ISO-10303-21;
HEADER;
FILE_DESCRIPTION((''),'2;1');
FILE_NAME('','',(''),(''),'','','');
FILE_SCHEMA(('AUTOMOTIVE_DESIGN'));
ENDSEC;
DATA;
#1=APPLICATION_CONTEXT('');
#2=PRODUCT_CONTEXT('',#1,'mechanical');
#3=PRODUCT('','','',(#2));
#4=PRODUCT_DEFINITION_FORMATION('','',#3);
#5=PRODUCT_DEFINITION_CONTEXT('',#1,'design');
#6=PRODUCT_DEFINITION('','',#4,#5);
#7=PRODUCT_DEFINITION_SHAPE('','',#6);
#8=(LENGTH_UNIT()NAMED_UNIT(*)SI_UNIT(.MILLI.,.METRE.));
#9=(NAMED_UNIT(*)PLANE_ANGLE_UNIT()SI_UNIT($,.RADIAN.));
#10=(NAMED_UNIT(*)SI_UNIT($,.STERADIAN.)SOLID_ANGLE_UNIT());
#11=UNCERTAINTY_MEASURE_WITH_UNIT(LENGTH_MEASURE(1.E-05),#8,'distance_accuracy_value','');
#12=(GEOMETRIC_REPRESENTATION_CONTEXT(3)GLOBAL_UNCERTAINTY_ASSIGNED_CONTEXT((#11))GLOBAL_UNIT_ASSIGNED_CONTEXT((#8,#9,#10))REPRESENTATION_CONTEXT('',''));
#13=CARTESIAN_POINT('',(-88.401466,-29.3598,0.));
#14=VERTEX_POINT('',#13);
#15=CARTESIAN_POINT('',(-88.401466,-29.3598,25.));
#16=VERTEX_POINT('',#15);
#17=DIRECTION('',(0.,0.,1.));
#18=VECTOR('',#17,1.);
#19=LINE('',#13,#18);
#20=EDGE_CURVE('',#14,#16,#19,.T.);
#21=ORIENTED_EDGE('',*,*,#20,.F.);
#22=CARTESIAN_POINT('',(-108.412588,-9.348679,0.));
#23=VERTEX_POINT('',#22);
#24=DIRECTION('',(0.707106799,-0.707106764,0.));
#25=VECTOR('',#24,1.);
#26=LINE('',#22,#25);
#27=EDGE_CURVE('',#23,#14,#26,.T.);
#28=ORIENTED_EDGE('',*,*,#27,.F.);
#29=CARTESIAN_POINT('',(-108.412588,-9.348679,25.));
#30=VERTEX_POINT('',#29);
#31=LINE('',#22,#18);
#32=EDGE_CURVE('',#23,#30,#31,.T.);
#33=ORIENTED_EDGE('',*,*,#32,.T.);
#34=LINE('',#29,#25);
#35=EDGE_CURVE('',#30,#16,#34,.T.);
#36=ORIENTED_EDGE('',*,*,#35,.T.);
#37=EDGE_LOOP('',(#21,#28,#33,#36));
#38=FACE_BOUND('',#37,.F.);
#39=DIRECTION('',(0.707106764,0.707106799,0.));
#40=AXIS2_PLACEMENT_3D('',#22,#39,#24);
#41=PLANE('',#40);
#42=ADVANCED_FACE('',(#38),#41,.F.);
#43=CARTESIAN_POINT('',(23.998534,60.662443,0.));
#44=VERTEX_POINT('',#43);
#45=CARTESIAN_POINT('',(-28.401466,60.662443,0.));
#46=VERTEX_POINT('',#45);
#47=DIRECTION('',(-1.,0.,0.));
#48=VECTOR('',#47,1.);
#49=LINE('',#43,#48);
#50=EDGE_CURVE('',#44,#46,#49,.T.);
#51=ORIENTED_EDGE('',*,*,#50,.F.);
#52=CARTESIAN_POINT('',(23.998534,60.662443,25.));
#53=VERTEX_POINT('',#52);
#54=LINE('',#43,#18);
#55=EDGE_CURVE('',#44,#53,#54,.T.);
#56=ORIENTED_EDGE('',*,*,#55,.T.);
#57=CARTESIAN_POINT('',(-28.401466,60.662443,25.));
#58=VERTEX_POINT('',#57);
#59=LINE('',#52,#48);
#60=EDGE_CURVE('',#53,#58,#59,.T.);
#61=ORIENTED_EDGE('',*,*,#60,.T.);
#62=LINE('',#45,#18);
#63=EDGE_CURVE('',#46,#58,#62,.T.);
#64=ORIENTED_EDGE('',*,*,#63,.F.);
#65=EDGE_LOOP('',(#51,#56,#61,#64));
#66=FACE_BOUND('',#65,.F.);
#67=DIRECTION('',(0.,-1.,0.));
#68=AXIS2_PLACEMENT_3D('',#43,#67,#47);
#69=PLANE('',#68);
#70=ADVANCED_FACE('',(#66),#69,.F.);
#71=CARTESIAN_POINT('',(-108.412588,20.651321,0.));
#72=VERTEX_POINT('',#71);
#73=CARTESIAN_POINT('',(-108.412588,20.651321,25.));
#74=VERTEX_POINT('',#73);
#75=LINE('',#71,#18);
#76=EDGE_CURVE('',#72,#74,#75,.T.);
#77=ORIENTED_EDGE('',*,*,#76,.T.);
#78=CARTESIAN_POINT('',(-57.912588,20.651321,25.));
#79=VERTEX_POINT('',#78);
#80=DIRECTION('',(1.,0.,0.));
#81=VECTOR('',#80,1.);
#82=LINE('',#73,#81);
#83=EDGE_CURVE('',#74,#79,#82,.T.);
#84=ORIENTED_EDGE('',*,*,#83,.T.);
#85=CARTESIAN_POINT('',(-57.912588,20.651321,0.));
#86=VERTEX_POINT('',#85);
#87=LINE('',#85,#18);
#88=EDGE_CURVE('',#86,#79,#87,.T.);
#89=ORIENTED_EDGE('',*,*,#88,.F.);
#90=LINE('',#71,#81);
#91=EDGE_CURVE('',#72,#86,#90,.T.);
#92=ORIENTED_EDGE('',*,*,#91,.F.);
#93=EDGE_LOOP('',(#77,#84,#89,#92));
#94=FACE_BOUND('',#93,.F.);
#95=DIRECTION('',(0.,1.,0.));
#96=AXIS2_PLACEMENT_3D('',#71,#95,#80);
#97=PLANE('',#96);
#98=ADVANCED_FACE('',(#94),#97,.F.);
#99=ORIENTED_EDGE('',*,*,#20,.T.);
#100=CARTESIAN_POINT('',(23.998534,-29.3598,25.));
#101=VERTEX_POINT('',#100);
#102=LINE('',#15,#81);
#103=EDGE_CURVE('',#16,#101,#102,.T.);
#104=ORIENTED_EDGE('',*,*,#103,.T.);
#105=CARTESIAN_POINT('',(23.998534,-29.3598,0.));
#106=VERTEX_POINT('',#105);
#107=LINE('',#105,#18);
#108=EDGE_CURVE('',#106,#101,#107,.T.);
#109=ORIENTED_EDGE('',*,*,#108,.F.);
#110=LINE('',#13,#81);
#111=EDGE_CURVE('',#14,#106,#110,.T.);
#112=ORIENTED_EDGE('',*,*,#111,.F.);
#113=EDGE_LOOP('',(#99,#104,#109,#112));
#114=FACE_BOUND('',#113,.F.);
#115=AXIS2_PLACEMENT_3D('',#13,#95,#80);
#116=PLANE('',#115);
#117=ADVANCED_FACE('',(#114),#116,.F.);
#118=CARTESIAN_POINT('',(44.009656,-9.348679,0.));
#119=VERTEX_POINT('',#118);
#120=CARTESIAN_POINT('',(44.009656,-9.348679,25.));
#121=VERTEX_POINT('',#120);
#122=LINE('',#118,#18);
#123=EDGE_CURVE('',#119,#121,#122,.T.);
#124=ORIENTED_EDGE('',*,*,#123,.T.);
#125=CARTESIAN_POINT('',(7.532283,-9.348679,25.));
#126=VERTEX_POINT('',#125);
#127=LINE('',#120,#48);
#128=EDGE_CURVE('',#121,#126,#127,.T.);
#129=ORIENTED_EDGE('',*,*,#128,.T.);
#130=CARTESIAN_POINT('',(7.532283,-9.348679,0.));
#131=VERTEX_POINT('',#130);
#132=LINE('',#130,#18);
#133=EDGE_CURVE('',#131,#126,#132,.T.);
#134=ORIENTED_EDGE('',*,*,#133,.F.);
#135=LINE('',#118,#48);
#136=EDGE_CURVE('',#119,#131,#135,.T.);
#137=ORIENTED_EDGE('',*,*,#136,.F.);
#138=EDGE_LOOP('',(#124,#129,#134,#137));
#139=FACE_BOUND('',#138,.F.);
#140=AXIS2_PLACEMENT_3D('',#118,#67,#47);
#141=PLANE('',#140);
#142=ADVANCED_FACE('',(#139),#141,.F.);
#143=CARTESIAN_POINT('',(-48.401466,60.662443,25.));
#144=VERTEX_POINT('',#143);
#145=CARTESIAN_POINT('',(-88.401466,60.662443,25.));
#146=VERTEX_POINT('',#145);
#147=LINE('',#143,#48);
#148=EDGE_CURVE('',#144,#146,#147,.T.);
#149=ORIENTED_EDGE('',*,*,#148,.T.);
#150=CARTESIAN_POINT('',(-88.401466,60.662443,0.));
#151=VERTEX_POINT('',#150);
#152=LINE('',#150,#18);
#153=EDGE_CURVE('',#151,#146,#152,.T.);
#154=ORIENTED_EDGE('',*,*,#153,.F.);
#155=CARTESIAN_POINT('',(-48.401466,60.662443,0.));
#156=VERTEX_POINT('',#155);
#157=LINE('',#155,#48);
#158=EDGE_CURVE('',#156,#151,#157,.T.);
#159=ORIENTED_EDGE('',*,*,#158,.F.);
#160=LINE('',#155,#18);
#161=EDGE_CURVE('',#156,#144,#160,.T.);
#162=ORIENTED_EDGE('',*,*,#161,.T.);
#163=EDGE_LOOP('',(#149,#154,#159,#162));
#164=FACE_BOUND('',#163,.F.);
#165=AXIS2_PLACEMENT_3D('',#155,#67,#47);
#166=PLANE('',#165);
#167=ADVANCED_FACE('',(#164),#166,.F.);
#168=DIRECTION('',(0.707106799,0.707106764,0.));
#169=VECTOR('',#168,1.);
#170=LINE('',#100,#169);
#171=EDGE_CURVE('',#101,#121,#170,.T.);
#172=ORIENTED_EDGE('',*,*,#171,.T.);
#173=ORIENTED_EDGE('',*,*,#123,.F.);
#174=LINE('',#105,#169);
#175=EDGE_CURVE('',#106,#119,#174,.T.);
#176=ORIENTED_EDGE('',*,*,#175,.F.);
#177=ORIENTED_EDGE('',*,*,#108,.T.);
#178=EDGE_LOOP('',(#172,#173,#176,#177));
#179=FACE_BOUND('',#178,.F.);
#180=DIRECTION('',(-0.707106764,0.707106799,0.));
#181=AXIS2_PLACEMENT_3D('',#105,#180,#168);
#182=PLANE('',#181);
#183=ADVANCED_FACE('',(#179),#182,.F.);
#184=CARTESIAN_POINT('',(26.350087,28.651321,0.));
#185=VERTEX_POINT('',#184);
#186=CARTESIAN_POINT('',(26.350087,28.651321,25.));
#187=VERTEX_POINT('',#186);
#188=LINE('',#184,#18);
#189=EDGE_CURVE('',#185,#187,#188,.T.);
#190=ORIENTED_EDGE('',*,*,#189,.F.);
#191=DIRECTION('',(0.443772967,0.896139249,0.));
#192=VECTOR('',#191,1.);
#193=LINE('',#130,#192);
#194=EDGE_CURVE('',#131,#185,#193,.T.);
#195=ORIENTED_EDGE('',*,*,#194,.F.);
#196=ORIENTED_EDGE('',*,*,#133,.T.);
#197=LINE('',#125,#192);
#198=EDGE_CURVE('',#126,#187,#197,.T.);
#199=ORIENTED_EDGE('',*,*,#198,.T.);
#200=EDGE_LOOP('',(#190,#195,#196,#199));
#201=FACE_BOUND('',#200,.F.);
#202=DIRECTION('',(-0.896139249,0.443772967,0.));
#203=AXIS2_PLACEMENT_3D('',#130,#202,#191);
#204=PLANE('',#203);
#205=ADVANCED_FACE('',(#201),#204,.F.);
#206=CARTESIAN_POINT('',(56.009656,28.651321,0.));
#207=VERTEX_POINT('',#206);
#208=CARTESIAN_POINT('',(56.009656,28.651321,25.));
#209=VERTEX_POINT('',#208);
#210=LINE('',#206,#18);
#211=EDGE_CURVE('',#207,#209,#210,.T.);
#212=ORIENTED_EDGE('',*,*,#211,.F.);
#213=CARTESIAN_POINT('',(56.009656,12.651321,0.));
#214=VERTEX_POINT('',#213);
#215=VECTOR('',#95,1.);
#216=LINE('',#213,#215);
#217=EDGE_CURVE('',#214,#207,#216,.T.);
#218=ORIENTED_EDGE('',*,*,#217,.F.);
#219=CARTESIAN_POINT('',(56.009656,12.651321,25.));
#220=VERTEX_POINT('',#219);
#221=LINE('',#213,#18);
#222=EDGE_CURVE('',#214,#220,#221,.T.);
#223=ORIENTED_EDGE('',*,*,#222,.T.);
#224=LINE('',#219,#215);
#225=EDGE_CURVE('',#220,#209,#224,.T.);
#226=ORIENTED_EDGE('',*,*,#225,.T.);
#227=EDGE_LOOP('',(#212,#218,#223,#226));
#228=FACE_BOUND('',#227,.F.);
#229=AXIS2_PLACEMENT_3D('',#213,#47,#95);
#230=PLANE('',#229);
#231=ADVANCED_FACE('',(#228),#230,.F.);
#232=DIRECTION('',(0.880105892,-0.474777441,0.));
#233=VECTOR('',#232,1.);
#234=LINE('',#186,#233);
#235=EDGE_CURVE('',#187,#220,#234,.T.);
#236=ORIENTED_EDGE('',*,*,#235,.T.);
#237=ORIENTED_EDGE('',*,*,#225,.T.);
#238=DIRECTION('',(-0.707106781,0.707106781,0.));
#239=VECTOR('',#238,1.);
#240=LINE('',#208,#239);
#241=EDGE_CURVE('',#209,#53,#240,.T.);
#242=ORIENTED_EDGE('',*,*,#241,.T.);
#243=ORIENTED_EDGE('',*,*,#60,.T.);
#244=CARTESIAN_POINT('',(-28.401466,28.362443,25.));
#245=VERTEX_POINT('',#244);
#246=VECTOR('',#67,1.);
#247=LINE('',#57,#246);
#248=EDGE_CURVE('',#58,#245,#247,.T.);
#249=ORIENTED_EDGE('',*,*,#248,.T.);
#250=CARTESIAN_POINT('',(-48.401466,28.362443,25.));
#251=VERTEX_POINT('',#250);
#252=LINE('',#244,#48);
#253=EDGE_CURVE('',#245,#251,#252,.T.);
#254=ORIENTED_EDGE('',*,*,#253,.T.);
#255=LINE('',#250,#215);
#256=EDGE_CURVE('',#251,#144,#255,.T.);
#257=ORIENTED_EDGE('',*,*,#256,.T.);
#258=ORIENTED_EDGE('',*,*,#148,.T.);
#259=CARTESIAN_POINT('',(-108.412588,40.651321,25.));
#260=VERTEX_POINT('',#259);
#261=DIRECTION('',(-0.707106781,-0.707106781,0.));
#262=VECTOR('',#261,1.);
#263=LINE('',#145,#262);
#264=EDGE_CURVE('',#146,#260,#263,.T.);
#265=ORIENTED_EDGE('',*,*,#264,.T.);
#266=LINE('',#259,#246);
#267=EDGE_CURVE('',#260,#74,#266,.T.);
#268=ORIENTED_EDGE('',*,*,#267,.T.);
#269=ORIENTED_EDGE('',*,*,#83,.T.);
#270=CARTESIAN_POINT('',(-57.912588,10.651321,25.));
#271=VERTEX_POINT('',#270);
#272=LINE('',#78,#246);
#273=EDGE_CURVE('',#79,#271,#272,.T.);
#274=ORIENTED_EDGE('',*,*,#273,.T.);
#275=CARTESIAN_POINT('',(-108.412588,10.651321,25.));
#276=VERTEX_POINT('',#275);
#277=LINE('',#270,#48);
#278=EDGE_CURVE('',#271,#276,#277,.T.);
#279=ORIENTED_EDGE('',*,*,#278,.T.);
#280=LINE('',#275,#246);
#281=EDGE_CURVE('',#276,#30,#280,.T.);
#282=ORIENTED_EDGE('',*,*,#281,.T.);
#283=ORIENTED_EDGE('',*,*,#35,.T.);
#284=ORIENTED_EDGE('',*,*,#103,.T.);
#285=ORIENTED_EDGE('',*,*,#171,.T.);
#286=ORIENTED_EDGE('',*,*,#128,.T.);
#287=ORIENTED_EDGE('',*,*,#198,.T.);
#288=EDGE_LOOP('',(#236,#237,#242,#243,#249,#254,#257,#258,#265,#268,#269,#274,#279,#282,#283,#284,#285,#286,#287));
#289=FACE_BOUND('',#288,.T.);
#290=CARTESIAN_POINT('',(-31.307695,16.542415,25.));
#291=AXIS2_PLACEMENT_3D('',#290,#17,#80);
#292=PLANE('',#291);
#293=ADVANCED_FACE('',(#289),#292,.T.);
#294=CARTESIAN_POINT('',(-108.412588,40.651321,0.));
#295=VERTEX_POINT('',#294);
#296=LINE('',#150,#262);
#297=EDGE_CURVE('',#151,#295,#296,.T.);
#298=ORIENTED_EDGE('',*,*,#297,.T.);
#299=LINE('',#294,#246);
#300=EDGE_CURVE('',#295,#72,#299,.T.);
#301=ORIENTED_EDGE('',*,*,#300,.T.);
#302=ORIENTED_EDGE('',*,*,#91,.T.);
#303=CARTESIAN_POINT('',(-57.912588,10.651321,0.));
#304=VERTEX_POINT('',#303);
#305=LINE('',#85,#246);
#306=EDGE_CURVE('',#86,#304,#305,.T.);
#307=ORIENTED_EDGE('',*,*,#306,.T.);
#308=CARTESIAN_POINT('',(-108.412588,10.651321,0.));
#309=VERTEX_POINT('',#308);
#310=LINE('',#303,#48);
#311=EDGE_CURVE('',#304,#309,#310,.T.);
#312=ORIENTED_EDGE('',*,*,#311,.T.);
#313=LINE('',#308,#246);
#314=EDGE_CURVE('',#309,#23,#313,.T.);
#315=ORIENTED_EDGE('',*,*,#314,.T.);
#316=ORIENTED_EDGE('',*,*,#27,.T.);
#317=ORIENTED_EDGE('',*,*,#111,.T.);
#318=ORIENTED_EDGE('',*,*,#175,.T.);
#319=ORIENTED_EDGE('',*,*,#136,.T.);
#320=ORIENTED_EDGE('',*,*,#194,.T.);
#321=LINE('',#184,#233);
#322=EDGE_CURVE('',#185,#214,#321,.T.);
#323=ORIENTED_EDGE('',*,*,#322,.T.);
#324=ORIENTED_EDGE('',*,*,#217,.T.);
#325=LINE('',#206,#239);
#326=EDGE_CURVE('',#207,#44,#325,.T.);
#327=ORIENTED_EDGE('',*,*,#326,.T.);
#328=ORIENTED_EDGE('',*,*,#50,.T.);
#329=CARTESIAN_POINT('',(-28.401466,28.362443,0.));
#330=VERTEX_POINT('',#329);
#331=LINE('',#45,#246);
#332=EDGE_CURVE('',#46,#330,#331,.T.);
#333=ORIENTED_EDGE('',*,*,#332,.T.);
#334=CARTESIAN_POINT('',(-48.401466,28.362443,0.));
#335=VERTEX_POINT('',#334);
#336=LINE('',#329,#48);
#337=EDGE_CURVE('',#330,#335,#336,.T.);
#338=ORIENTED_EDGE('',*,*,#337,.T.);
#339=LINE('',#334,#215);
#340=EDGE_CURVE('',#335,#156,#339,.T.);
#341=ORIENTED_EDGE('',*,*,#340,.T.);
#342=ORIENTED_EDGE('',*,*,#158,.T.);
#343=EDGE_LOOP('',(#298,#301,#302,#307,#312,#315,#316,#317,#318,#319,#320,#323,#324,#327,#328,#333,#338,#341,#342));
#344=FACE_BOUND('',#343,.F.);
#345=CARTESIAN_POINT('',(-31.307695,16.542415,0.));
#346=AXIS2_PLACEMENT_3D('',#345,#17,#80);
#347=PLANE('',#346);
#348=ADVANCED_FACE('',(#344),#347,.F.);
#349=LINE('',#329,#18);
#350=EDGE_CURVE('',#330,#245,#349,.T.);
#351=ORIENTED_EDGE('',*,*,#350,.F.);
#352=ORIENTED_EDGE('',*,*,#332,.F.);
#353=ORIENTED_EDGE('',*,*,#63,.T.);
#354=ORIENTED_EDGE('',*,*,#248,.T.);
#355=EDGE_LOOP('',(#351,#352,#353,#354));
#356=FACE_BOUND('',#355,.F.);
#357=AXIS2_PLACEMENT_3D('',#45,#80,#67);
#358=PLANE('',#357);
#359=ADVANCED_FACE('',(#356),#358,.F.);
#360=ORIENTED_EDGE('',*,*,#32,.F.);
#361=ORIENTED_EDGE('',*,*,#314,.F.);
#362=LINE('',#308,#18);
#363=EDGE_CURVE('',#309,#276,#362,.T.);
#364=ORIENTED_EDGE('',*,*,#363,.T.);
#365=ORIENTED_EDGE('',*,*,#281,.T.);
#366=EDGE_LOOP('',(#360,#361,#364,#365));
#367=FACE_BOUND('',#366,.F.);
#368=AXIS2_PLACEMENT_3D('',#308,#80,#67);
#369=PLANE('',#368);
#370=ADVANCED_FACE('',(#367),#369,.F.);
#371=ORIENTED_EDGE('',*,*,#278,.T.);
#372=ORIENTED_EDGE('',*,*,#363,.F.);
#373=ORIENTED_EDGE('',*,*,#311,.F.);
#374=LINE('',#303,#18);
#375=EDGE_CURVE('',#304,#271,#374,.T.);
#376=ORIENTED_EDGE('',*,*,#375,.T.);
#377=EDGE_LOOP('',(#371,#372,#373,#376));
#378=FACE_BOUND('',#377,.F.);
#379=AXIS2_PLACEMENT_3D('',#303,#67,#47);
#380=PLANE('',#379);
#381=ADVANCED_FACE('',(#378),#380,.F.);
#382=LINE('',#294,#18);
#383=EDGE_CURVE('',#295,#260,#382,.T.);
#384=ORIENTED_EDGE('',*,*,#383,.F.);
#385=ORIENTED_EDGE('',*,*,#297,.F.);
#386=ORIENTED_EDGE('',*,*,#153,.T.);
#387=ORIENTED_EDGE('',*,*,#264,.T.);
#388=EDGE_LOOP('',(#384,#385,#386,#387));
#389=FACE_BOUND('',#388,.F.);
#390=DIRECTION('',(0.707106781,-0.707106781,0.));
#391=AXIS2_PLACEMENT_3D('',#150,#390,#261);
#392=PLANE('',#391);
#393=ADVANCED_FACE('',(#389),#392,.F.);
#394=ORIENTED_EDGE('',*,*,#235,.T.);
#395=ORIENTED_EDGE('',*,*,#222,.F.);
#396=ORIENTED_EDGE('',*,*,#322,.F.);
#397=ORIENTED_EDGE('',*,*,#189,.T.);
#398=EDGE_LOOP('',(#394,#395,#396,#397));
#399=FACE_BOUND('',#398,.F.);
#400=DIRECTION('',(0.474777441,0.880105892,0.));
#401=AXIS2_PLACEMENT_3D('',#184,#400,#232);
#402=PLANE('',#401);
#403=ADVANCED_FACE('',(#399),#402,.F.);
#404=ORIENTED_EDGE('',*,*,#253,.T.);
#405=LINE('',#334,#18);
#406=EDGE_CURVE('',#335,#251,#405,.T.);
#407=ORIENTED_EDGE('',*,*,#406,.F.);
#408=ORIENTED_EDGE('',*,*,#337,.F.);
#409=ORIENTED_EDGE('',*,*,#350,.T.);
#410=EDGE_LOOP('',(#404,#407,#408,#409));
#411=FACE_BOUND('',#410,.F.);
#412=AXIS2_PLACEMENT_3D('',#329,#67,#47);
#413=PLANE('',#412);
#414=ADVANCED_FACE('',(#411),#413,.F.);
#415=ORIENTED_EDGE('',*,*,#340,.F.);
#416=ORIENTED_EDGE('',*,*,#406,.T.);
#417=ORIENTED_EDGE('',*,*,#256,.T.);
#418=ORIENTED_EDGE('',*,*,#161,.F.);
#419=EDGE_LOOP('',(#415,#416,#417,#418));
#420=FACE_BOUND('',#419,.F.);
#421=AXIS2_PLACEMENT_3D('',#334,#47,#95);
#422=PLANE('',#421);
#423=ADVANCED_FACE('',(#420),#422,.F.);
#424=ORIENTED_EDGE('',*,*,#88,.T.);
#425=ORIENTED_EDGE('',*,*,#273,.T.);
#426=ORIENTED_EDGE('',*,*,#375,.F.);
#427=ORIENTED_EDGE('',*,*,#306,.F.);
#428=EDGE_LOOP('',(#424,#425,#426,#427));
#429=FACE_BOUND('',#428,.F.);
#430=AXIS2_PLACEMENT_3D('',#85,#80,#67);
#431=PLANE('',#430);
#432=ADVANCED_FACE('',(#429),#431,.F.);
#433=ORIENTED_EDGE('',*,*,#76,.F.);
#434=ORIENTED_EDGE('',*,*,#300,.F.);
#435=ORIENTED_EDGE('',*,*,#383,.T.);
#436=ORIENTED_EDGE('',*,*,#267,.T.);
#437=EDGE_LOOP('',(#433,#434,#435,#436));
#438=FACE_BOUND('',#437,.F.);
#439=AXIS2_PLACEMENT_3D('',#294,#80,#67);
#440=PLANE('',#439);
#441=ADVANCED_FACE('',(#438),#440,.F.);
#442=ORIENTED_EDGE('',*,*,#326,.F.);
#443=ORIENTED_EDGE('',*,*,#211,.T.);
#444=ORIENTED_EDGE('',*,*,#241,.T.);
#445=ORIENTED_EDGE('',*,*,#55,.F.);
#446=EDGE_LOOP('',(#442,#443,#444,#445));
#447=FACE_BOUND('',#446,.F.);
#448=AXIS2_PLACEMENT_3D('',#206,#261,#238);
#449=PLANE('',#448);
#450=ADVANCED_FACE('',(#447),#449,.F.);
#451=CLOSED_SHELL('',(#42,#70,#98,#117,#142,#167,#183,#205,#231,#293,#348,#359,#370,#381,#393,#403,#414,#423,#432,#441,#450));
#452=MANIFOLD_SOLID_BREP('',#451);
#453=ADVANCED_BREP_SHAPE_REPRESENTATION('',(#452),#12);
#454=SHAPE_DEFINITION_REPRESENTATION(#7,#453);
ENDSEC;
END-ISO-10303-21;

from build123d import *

# Parameters (mm, degrees)
F1_DEPTH = 25


with BuildPart() as f1:
    # F0 (on Top) → F1 (new body)
    with BuildSketch(Plane.XY):
        Polygon((-108.412588, -9.348679), (-88.401466, -29.3598), (23.998534, -29.3598), (44.009656, -9.348679), (7.532283, -9.348679), (26.350087, 28.651321), (56.009656, 12.651321), (56.009656, 28.651321), (23.998534, 60.662443), (-28.401466, 60.662443), (-28.401466, 28.362443), (-48.401466, 28.362443), (-48.401466, 60.662443), (-88.401466, 60.662443), (-108.412588, 40.651321), (-108.412588, 20.651321), (-57.912588, 20.651321), (-57.912588, 10.651321), (-108.412588, 10.651321), align=None)
    extrude(amount=F1_DEPTH)


solid = f1.part
